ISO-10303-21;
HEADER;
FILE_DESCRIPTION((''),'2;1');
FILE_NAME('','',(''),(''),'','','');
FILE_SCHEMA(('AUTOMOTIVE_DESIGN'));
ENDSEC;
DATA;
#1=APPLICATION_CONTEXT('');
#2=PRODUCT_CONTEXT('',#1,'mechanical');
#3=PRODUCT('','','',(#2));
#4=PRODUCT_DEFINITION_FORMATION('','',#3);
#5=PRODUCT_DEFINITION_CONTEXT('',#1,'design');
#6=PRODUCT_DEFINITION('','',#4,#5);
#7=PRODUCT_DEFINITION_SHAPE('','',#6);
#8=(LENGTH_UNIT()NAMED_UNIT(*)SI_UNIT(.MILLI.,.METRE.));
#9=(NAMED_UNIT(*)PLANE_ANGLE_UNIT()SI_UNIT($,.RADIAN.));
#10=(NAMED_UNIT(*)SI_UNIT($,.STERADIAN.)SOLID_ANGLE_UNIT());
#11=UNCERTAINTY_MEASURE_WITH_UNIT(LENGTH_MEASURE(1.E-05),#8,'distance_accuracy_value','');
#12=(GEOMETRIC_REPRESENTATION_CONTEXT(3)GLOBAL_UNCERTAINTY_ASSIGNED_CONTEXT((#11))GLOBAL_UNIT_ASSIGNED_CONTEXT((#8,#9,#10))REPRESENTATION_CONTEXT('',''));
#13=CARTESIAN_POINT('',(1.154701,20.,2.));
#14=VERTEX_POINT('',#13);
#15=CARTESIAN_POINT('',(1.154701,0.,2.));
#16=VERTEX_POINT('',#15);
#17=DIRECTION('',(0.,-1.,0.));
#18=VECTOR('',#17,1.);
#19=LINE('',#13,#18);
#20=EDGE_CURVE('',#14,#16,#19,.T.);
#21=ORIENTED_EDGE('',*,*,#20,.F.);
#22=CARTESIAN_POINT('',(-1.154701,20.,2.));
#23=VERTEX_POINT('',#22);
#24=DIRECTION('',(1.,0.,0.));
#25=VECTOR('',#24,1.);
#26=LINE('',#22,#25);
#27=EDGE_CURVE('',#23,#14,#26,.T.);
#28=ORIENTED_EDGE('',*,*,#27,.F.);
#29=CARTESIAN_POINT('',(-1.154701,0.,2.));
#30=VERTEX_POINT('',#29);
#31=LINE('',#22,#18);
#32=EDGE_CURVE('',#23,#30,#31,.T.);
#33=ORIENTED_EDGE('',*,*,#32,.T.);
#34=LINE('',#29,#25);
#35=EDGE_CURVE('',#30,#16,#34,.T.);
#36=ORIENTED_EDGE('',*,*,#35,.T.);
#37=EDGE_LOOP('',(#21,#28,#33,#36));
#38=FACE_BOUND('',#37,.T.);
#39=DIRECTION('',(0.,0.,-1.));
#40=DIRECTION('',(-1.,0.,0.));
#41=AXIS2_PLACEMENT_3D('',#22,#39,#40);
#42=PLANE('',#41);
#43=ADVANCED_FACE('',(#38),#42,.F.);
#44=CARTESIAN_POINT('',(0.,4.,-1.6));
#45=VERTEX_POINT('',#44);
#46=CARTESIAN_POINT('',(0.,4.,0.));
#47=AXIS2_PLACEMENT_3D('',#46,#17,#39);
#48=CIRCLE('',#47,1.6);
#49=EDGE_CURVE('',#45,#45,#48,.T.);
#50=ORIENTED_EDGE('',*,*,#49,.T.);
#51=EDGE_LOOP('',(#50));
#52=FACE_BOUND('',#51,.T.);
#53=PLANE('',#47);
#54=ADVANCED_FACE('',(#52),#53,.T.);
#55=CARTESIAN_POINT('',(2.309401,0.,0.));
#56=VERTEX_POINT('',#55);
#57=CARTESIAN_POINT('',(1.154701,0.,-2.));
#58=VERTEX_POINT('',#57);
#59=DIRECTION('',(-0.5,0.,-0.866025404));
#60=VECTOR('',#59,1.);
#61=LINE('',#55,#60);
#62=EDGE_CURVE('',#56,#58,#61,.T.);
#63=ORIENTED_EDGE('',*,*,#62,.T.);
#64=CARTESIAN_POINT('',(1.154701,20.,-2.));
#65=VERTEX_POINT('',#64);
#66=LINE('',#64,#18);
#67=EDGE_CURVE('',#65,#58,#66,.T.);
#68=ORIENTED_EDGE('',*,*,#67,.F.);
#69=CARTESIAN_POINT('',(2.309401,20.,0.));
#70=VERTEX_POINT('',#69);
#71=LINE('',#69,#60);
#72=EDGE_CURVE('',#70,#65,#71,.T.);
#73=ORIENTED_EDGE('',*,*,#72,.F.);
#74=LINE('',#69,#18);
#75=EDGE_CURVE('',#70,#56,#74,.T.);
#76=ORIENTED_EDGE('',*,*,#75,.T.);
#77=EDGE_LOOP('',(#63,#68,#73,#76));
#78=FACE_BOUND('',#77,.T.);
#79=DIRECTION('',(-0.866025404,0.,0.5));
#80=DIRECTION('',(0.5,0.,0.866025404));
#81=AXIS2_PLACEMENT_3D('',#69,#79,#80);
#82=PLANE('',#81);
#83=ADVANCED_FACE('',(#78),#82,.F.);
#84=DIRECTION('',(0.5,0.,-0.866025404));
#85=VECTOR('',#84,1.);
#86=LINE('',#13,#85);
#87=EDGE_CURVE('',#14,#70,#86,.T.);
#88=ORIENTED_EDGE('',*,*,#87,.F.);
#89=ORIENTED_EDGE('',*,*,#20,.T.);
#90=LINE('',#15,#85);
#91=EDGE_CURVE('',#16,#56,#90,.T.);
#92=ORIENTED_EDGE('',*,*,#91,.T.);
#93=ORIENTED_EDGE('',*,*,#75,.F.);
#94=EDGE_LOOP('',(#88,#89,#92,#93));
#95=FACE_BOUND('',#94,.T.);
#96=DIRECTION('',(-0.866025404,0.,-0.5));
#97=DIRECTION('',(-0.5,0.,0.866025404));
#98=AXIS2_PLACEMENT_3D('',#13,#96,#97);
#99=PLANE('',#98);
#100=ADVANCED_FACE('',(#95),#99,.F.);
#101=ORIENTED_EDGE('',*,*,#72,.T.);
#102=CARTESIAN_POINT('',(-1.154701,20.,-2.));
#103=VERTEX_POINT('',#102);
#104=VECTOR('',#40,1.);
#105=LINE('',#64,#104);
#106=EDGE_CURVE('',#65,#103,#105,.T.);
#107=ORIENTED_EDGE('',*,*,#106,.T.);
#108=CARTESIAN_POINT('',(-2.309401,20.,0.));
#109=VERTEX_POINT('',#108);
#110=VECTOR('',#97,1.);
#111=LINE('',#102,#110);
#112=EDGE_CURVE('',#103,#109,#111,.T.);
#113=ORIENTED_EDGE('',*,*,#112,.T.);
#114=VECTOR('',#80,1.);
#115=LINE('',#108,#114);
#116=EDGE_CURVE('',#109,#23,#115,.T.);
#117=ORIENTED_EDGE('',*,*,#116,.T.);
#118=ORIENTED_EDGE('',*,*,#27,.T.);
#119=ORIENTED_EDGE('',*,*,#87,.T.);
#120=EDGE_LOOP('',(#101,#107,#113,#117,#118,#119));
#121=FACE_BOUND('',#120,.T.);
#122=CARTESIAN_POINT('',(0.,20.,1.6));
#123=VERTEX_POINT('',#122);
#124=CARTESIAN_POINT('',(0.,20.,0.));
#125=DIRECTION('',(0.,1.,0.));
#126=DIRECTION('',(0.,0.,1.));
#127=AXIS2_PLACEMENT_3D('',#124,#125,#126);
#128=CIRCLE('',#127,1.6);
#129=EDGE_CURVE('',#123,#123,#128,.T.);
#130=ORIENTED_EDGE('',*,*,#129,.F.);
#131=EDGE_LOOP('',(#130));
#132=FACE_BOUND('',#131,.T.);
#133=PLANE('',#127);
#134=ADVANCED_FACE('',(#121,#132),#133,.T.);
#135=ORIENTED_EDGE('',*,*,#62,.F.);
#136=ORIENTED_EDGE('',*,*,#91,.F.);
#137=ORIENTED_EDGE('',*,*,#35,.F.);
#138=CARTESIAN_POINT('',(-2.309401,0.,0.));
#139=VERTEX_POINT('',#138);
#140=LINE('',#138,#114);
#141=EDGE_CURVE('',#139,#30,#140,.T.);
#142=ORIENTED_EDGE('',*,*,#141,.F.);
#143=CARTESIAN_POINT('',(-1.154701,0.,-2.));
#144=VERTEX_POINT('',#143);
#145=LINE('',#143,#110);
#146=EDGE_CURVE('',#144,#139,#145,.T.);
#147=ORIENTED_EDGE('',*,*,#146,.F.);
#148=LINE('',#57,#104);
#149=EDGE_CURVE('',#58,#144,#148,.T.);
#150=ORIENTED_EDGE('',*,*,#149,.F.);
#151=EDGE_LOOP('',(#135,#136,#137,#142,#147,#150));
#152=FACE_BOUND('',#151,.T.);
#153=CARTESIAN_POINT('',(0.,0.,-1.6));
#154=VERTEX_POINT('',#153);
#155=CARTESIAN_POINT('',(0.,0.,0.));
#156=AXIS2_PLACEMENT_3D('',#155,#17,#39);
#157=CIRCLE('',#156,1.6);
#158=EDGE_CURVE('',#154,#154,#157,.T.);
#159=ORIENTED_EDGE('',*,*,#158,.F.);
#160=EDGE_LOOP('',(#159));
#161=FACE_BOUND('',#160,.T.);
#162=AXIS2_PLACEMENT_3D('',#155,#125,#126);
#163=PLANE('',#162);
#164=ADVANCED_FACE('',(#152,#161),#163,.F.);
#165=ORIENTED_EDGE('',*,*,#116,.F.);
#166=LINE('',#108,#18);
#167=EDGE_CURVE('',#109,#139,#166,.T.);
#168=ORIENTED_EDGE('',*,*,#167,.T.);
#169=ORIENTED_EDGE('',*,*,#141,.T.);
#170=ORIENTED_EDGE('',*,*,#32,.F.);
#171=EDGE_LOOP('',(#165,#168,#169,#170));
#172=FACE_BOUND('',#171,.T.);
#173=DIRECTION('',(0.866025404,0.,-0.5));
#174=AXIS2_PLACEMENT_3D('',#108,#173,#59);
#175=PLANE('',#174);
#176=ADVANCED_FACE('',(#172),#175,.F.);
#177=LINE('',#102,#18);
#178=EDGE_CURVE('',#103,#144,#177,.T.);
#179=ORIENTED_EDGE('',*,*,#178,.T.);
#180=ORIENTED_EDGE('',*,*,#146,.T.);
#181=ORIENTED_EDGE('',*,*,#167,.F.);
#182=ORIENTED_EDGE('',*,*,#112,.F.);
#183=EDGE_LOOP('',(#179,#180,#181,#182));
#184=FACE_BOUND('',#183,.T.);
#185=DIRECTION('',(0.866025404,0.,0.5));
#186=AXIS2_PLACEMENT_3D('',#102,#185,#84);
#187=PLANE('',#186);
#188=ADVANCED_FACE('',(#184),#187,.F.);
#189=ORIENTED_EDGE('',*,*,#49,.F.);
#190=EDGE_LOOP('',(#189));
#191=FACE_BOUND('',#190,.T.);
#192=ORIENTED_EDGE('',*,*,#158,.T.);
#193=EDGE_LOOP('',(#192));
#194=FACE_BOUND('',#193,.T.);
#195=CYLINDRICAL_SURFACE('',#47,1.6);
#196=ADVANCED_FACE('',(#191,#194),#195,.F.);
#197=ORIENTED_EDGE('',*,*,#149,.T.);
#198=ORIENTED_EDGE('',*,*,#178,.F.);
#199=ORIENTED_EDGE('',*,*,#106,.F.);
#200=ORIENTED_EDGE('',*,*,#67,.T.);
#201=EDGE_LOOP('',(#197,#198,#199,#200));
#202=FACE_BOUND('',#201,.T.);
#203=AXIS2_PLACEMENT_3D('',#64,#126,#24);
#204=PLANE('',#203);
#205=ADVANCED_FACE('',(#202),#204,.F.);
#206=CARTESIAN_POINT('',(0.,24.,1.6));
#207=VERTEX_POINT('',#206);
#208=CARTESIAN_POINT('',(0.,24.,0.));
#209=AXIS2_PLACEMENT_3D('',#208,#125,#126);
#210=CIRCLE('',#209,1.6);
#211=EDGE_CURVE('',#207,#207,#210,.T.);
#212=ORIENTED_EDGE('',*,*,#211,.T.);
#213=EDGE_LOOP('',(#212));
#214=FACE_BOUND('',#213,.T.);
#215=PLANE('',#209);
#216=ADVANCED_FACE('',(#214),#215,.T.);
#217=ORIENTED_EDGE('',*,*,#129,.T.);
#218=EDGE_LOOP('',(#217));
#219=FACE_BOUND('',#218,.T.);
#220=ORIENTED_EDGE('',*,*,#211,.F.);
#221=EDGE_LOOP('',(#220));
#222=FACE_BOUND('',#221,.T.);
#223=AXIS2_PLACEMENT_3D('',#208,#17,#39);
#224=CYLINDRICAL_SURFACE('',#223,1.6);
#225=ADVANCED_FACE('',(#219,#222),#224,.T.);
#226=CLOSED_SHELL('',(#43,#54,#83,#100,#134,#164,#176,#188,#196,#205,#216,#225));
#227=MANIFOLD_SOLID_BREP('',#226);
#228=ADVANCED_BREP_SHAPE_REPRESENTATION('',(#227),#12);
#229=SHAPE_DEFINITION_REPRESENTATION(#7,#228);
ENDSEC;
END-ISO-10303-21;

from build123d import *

# Parameters (mm, degrees)
EXTRUDE_1_DEPTH     = 20
SKETCH_2_R          = 1.6
EXTRUDE_2_DEPTH     = 4
SKETCH_3_R          = 1.6
CUT_EXTRUDE_1_DEPTH = 4


with BuildPart() as part:
    # 草图1 → 凸台-拉伸1 (new body)
    with BuildSketch(Plane(origin=(0, 0, 0), x_dir=(1, 0, 0), z_dir=(0, 1, 0))):
        Polygon((1.154700538, -2), (2.309401077, 0), (1.154700538, 2), (-1.154700538, 2), (-2.309401077, 0), (-1.154700538, -2), align=None)
    extrude(amount=EXTRUDE_1_DEPTH)

    # 草图2 → 凸台-拉伸2 (add)
    with BuildSketch(Plane(origin=(0, 20, 0), x_dir=(1, 0, 0), z_dir=(0, 1, 0))):
        with Locations(Location((0, 0, 0), (0, 0, 270))):
            Circle(SKETCH_2_R)
    extrude(amount=EXTRUDE_2_DEPTH)

    # 草图3 → 切除-拉伸1 (cut)
    with BuildSketch(Plane.XZ):
        with Locations(Location((0, 0, 0), (0, 0, 90))):
            Circle(SKETCH_3_R)
    extrude(amount=-CUT_EXTRUDE_1_DEPTH, mode=Mode.SUBTRACT)


solid = part.part
